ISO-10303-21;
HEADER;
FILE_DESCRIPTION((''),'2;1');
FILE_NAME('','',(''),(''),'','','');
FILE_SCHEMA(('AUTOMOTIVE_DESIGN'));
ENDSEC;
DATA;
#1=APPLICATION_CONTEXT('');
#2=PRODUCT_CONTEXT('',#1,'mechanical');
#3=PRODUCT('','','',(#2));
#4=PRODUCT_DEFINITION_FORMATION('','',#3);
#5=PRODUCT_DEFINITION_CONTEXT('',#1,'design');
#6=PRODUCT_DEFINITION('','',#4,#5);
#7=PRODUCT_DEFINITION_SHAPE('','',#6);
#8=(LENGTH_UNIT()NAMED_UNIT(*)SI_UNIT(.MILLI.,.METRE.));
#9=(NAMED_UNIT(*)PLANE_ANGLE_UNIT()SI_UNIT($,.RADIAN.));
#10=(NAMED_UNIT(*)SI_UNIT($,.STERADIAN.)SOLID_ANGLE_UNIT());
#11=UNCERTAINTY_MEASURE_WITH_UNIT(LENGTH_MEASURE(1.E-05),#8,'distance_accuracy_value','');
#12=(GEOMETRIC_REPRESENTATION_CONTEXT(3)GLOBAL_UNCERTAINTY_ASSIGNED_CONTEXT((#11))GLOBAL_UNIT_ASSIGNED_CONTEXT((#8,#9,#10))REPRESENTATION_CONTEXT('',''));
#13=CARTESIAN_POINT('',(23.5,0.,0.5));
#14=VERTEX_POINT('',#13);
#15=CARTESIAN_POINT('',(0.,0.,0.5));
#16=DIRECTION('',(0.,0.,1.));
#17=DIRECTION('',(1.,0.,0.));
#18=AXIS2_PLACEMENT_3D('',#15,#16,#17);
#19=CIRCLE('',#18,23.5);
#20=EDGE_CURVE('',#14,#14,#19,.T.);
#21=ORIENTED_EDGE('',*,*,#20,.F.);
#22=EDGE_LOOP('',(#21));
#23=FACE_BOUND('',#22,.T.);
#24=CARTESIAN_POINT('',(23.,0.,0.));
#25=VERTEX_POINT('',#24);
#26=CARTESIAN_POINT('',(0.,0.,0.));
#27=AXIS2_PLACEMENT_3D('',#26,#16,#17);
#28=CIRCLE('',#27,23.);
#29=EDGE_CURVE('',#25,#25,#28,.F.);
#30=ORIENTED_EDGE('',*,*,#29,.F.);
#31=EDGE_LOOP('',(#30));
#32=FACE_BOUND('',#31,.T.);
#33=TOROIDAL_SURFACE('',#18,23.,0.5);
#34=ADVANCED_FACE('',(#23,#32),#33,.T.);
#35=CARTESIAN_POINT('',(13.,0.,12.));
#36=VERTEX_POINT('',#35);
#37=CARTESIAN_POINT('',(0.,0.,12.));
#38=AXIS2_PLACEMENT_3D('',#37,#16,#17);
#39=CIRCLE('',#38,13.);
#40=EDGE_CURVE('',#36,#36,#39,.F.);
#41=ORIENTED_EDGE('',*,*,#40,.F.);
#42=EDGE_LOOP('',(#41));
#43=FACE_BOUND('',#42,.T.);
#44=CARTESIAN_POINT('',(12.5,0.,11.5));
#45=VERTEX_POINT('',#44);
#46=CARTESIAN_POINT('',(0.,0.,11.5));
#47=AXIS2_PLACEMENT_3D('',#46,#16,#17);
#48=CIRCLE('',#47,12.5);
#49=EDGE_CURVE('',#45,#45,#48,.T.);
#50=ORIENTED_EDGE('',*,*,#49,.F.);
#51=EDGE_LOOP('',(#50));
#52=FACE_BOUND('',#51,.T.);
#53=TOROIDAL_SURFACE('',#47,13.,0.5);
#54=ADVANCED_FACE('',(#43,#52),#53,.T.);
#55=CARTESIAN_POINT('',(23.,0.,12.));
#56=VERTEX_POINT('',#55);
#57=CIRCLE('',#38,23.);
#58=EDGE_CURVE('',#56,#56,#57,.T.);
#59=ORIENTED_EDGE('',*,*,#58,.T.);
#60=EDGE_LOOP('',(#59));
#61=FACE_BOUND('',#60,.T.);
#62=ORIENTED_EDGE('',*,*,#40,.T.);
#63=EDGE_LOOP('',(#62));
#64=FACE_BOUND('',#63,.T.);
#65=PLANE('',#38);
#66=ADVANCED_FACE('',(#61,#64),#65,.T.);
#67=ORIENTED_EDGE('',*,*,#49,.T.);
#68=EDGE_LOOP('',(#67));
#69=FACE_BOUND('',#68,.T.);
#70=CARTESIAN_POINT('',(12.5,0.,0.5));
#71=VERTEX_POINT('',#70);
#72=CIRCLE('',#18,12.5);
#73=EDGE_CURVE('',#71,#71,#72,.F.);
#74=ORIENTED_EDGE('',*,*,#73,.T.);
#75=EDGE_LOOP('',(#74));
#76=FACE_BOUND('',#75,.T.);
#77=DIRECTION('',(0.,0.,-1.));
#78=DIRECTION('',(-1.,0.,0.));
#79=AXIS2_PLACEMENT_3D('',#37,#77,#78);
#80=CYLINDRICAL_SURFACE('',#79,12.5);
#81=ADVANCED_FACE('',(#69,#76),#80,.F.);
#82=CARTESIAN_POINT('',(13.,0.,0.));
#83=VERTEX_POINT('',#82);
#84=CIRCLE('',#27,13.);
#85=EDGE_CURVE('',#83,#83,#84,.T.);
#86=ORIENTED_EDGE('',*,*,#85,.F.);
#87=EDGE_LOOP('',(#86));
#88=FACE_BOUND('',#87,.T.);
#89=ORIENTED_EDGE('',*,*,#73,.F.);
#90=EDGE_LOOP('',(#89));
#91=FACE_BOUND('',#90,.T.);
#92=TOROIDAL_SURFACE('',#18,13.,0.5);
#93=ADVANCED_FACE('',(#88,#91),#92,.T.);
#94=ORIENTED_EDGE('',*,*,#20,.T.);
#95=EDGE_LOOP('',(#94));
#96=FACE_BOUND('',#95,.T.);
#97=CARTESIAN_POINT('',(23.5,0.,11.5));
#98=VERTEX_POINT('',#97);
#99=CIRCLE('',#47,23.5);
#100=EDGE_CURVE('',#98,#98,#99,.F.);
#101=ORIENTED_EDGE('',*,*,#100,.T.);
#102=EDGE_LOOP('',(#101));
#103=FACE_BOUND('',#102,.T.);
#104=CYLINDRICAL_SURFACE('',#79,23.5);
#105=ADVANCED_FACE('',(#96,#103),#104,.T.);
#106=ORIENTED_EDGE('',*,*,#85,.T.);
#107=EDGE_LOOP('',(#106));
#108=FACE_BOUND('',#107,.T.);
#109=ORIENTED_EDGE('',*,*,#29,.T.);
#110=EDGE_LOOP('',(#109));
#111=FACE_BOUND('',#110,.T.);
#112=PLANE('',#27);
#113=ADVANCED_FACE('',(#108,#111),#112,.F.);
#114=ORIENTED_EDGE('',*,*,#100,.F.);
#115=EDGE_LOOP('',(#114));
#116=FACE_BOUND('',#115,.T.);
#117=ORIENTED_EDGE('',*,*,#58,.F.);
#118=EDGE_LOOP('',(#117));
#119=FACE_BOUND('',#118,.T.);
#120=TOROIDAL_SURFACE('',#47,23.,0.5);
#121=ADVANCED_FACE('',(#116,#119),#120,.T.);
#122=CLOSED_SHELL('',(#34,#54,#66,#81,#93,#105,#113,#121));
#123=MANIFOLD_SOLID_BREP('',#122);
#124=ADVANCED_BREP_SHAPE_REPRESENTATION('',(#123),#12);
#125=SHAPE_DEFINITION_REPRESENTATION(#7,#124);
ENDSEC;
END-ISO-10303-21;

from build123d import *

# Parameters (mm, degrees)
SKETCH1_R           = 23.5
SKETCH1_R_2         = 12.5
BOSS_EXTRUDE1_DEPTH = 12
FILLET1_R           = 0.5
FILLET2_R           = 0.5


with BuildPart() as part:
    # Sketch1 → Boss-Extrude1 (new body)
    with BuildSketch(Plane.XY):
        Circle(SKETCH1_R)
        Circle(SKETCH1_R_2, mode=Mode.SUBTRACT)
    extrude(amount=BOSS_EXTRUDE1_DEPTH)

    # Fillet1
    fillet1_edges = [part.edges().sort_by_distance(p)[0] for p in [
        (-23.5, 0, 0),
        (-23.5, 0, 12),
    ]]
    fillet(fillet1_edges, radius=FILLET1_R)

    # Fillet2
    fillet2_edges = [part.edges().sort_by_distance(p)[0] for p in [
        (-12.5, 0, 0),
        (-12.5, 0, 12),
    ]]
    fillet(fillet2_edges, radius=FILLET2_R)


solid = part.part
